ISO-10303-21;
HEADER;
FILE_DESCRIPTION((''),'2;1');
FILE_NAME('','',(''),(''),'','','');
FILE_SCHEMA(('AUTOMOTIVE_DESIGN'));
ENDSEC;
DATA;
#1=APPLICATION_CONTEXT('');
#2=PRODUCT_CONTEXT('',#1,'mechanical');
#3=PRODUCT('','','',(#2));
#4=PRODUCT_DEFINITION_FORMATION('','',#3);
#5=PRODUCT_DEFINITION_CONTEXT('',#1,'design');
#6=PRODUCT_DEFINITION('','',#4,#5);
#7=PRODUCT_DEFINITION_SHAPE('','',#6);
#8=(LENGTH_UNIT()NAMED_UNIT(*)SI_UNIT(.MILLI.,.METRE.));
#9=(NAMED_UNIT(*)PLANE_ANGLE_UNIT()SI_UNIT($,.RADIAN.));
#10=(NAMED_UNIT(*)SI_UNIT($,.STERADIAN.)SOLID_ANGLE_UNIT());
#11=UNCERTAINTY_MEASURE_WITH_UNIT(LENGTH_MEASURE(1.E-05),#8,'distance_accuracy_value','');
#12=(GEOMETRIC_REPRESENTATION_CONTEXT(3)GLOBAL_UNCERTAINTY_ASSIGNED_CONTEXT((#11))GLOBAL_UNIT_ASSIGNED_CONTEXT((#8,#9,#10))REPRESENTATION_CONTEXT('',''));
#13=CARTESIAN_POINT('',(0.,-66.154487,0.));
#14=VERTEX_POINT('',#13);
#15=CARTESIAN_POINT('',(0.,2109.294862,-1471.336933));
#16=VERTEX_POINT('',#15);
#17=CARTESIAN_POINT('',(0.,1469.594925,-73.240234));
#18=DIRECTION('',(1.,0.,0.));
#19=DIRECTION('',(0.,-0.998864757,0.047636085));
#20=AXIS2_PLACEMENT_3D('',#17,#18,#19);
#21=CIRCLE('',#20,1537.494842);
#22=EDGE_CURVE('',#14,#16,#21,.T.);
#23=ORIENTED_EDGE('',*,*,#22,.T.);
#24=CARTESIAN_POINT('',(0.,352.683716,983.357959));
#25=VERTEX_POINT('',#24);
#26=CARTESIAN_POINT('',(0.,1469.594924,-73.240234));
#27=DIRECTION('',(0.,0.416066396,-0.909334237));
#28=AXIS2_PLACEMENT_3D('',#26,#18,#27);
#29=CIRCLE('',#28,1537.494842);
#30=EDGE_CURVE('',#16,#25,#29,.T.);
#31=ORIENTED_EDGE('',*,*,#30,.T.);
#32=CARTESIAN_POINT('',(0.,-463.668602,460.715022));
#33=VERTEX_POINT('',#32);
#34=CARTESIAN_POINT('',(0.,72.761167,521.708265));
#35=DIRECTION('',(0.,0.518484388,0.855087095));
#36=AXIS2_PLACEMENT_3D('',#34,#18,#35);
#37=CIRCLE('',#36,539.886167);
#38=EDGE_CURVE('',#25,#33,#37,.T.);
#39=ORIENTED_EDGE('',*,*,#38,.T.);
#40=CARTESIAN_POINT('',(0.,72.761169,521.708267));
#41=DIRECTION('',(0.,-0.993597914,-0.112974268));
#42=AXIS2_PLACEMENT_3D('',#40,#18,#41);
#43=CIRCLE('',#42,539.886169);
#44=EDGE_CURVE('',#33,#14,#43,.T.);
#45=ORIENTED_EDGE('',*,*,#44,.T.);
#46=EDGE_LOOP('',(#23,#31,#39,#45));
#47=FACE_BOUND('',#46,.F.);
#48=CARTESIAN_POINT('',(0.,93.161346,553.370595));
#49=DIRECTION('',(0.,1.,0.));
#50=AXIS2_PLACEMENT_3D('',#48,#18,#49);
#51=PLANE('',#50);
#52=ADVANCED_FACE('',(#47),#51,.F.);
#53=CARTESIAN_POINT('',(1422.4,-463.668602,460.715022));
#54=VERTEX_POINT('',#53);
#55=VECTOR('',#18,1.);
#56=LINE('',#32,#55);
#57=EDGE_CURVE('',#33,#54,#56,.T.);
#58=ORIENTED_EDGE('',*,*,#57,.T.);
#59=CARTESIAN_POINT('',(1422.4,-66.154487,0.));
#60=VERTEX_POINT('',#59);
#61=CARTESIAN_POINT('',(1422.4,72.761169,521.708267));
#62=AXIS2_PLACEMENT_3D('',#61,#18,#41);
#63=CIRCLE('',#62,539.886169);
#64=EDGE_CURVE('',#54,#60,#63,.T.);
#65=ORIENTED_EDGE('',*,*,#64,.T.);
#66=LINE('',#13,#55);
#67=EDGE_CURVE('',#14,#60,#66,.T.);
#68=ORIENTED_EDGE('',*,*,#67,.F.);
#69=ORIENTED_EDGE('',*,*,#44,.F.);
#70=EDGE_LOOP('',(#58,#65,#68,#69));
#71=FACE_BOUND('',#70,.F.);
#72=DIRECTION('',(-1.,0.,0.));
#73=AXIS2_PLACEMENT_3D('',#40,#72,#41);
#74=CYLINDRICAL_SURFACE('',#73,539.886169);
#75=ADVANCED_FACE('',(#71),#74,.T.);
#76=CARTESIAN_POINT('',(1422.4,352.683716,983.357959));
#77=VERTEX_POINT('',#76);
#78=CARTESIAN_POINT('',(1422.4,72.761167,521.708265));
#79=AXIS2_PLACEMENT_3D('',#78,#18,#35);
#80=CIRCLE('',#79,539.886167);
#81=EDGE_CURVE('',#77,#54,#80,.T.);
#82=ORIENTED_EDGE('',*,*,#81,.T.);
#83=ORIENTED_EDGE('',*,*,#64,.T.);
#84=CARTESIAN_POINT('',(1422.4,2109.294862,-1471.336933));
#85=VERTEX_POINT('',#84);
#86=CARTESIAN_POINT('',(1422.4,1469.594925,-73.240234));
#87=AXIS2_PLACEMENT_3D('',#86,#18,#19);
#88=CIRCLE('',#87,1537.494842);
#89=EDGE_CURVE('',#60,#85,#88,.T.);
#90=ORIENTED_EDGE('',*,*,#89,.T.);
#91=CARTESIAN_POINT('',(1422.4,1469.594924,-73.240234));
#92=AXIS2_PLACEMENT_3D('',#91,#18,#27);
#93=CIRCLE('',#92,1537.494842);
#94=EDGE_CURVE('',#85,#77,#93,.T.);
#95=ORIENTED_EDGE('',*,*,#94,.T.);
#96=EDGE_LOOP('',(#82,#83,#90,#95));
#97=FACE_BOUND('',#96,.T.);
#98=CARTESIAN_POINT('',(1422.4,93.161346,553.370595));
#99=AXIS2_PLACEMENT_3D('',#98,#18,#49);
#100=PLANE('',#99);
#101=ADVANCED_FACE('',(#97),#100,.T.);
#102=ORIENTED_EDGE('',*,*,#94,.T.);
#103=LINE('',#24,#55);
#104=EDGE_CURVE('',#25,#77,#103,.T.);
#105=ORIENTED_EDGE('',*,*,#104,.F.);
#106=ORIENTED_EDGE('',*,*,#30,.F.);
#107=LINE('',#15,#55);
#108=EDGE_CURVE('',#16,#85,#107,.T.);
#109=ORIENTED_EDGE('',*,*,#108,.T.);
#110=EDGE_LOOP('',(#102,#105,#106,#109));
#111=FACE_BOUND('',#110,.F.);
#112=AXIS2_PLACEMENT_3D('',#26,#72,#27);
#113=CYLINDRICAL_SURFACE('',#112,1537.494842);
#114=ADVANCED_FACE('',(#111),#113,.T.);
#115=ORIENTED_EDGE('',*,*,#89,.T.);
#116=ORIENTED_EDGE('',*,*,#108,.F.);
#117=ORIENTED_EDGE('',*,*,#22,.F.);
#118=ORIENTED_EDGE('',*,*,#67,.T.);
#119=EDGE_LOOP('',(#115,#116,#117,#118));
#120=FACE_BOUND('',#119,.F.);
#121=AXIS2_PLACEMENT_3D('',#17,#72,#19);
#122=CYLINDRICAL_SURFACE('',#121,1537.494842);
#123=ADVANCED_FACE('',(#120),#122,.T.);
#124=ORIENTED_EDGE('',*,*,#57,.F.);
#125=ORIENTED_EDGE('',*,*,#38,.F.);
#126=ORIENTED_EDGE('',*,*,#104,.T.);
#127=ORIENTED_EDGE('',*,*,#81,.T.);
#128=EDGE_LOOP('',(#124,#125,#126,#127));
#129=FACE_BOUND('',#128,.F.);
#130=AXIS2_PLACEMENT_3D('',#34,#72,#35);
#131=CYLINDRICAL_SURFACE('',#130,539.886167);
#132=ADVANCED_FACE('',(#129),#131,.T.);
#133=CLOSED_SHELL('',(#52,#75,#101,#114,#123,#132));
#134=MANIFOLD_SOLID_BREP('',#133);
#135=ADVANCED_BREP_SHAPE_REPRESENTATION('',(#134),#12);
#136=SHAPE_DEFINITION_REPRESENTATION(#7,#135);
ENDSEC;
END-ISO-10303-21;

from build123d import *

# Parameters (mm, degrees)
F1_DEPTH = 1422.4


with BuildPart() as f1:
    # F0 (on Right) → F1 (new body)
    with BuildSketch(Plane.YZ):
        with BuildLine():
            ThreePointArc((352.683716, 983.357959), (-218.33658, 976.394063), (-463.668602, 460.715022))
            Line((-463.668602, 460.715022), (211.676821, 0))
            ThreePointArc((211.676821, 0), (607.181019, 445.076065), (352.683716, 983.357959))
        make_face()
        with BuildLine():
            Line((211.676821, 0), (-463.668602, 460.715022))
            ThreePointArc((-463.668602, 460.715022), (-336.002142, 169.019125), (-66.154487, 0))
            ThreePointArc((-66.154487, 0), (608.238867, -1346.800649), (2109.294862, -1471.336933))
            ThreePointArc((2109.294862, -1471.336933), (2719.920643, 821.508885), (352.683716, 983.357959))
            ThreePointArc((352.683716, 983.357959), (607.181019, 445.076065), (211.676821, 0))
        make_face()
    extrude(amount=F1_DEPTH)


solid = f1.part
